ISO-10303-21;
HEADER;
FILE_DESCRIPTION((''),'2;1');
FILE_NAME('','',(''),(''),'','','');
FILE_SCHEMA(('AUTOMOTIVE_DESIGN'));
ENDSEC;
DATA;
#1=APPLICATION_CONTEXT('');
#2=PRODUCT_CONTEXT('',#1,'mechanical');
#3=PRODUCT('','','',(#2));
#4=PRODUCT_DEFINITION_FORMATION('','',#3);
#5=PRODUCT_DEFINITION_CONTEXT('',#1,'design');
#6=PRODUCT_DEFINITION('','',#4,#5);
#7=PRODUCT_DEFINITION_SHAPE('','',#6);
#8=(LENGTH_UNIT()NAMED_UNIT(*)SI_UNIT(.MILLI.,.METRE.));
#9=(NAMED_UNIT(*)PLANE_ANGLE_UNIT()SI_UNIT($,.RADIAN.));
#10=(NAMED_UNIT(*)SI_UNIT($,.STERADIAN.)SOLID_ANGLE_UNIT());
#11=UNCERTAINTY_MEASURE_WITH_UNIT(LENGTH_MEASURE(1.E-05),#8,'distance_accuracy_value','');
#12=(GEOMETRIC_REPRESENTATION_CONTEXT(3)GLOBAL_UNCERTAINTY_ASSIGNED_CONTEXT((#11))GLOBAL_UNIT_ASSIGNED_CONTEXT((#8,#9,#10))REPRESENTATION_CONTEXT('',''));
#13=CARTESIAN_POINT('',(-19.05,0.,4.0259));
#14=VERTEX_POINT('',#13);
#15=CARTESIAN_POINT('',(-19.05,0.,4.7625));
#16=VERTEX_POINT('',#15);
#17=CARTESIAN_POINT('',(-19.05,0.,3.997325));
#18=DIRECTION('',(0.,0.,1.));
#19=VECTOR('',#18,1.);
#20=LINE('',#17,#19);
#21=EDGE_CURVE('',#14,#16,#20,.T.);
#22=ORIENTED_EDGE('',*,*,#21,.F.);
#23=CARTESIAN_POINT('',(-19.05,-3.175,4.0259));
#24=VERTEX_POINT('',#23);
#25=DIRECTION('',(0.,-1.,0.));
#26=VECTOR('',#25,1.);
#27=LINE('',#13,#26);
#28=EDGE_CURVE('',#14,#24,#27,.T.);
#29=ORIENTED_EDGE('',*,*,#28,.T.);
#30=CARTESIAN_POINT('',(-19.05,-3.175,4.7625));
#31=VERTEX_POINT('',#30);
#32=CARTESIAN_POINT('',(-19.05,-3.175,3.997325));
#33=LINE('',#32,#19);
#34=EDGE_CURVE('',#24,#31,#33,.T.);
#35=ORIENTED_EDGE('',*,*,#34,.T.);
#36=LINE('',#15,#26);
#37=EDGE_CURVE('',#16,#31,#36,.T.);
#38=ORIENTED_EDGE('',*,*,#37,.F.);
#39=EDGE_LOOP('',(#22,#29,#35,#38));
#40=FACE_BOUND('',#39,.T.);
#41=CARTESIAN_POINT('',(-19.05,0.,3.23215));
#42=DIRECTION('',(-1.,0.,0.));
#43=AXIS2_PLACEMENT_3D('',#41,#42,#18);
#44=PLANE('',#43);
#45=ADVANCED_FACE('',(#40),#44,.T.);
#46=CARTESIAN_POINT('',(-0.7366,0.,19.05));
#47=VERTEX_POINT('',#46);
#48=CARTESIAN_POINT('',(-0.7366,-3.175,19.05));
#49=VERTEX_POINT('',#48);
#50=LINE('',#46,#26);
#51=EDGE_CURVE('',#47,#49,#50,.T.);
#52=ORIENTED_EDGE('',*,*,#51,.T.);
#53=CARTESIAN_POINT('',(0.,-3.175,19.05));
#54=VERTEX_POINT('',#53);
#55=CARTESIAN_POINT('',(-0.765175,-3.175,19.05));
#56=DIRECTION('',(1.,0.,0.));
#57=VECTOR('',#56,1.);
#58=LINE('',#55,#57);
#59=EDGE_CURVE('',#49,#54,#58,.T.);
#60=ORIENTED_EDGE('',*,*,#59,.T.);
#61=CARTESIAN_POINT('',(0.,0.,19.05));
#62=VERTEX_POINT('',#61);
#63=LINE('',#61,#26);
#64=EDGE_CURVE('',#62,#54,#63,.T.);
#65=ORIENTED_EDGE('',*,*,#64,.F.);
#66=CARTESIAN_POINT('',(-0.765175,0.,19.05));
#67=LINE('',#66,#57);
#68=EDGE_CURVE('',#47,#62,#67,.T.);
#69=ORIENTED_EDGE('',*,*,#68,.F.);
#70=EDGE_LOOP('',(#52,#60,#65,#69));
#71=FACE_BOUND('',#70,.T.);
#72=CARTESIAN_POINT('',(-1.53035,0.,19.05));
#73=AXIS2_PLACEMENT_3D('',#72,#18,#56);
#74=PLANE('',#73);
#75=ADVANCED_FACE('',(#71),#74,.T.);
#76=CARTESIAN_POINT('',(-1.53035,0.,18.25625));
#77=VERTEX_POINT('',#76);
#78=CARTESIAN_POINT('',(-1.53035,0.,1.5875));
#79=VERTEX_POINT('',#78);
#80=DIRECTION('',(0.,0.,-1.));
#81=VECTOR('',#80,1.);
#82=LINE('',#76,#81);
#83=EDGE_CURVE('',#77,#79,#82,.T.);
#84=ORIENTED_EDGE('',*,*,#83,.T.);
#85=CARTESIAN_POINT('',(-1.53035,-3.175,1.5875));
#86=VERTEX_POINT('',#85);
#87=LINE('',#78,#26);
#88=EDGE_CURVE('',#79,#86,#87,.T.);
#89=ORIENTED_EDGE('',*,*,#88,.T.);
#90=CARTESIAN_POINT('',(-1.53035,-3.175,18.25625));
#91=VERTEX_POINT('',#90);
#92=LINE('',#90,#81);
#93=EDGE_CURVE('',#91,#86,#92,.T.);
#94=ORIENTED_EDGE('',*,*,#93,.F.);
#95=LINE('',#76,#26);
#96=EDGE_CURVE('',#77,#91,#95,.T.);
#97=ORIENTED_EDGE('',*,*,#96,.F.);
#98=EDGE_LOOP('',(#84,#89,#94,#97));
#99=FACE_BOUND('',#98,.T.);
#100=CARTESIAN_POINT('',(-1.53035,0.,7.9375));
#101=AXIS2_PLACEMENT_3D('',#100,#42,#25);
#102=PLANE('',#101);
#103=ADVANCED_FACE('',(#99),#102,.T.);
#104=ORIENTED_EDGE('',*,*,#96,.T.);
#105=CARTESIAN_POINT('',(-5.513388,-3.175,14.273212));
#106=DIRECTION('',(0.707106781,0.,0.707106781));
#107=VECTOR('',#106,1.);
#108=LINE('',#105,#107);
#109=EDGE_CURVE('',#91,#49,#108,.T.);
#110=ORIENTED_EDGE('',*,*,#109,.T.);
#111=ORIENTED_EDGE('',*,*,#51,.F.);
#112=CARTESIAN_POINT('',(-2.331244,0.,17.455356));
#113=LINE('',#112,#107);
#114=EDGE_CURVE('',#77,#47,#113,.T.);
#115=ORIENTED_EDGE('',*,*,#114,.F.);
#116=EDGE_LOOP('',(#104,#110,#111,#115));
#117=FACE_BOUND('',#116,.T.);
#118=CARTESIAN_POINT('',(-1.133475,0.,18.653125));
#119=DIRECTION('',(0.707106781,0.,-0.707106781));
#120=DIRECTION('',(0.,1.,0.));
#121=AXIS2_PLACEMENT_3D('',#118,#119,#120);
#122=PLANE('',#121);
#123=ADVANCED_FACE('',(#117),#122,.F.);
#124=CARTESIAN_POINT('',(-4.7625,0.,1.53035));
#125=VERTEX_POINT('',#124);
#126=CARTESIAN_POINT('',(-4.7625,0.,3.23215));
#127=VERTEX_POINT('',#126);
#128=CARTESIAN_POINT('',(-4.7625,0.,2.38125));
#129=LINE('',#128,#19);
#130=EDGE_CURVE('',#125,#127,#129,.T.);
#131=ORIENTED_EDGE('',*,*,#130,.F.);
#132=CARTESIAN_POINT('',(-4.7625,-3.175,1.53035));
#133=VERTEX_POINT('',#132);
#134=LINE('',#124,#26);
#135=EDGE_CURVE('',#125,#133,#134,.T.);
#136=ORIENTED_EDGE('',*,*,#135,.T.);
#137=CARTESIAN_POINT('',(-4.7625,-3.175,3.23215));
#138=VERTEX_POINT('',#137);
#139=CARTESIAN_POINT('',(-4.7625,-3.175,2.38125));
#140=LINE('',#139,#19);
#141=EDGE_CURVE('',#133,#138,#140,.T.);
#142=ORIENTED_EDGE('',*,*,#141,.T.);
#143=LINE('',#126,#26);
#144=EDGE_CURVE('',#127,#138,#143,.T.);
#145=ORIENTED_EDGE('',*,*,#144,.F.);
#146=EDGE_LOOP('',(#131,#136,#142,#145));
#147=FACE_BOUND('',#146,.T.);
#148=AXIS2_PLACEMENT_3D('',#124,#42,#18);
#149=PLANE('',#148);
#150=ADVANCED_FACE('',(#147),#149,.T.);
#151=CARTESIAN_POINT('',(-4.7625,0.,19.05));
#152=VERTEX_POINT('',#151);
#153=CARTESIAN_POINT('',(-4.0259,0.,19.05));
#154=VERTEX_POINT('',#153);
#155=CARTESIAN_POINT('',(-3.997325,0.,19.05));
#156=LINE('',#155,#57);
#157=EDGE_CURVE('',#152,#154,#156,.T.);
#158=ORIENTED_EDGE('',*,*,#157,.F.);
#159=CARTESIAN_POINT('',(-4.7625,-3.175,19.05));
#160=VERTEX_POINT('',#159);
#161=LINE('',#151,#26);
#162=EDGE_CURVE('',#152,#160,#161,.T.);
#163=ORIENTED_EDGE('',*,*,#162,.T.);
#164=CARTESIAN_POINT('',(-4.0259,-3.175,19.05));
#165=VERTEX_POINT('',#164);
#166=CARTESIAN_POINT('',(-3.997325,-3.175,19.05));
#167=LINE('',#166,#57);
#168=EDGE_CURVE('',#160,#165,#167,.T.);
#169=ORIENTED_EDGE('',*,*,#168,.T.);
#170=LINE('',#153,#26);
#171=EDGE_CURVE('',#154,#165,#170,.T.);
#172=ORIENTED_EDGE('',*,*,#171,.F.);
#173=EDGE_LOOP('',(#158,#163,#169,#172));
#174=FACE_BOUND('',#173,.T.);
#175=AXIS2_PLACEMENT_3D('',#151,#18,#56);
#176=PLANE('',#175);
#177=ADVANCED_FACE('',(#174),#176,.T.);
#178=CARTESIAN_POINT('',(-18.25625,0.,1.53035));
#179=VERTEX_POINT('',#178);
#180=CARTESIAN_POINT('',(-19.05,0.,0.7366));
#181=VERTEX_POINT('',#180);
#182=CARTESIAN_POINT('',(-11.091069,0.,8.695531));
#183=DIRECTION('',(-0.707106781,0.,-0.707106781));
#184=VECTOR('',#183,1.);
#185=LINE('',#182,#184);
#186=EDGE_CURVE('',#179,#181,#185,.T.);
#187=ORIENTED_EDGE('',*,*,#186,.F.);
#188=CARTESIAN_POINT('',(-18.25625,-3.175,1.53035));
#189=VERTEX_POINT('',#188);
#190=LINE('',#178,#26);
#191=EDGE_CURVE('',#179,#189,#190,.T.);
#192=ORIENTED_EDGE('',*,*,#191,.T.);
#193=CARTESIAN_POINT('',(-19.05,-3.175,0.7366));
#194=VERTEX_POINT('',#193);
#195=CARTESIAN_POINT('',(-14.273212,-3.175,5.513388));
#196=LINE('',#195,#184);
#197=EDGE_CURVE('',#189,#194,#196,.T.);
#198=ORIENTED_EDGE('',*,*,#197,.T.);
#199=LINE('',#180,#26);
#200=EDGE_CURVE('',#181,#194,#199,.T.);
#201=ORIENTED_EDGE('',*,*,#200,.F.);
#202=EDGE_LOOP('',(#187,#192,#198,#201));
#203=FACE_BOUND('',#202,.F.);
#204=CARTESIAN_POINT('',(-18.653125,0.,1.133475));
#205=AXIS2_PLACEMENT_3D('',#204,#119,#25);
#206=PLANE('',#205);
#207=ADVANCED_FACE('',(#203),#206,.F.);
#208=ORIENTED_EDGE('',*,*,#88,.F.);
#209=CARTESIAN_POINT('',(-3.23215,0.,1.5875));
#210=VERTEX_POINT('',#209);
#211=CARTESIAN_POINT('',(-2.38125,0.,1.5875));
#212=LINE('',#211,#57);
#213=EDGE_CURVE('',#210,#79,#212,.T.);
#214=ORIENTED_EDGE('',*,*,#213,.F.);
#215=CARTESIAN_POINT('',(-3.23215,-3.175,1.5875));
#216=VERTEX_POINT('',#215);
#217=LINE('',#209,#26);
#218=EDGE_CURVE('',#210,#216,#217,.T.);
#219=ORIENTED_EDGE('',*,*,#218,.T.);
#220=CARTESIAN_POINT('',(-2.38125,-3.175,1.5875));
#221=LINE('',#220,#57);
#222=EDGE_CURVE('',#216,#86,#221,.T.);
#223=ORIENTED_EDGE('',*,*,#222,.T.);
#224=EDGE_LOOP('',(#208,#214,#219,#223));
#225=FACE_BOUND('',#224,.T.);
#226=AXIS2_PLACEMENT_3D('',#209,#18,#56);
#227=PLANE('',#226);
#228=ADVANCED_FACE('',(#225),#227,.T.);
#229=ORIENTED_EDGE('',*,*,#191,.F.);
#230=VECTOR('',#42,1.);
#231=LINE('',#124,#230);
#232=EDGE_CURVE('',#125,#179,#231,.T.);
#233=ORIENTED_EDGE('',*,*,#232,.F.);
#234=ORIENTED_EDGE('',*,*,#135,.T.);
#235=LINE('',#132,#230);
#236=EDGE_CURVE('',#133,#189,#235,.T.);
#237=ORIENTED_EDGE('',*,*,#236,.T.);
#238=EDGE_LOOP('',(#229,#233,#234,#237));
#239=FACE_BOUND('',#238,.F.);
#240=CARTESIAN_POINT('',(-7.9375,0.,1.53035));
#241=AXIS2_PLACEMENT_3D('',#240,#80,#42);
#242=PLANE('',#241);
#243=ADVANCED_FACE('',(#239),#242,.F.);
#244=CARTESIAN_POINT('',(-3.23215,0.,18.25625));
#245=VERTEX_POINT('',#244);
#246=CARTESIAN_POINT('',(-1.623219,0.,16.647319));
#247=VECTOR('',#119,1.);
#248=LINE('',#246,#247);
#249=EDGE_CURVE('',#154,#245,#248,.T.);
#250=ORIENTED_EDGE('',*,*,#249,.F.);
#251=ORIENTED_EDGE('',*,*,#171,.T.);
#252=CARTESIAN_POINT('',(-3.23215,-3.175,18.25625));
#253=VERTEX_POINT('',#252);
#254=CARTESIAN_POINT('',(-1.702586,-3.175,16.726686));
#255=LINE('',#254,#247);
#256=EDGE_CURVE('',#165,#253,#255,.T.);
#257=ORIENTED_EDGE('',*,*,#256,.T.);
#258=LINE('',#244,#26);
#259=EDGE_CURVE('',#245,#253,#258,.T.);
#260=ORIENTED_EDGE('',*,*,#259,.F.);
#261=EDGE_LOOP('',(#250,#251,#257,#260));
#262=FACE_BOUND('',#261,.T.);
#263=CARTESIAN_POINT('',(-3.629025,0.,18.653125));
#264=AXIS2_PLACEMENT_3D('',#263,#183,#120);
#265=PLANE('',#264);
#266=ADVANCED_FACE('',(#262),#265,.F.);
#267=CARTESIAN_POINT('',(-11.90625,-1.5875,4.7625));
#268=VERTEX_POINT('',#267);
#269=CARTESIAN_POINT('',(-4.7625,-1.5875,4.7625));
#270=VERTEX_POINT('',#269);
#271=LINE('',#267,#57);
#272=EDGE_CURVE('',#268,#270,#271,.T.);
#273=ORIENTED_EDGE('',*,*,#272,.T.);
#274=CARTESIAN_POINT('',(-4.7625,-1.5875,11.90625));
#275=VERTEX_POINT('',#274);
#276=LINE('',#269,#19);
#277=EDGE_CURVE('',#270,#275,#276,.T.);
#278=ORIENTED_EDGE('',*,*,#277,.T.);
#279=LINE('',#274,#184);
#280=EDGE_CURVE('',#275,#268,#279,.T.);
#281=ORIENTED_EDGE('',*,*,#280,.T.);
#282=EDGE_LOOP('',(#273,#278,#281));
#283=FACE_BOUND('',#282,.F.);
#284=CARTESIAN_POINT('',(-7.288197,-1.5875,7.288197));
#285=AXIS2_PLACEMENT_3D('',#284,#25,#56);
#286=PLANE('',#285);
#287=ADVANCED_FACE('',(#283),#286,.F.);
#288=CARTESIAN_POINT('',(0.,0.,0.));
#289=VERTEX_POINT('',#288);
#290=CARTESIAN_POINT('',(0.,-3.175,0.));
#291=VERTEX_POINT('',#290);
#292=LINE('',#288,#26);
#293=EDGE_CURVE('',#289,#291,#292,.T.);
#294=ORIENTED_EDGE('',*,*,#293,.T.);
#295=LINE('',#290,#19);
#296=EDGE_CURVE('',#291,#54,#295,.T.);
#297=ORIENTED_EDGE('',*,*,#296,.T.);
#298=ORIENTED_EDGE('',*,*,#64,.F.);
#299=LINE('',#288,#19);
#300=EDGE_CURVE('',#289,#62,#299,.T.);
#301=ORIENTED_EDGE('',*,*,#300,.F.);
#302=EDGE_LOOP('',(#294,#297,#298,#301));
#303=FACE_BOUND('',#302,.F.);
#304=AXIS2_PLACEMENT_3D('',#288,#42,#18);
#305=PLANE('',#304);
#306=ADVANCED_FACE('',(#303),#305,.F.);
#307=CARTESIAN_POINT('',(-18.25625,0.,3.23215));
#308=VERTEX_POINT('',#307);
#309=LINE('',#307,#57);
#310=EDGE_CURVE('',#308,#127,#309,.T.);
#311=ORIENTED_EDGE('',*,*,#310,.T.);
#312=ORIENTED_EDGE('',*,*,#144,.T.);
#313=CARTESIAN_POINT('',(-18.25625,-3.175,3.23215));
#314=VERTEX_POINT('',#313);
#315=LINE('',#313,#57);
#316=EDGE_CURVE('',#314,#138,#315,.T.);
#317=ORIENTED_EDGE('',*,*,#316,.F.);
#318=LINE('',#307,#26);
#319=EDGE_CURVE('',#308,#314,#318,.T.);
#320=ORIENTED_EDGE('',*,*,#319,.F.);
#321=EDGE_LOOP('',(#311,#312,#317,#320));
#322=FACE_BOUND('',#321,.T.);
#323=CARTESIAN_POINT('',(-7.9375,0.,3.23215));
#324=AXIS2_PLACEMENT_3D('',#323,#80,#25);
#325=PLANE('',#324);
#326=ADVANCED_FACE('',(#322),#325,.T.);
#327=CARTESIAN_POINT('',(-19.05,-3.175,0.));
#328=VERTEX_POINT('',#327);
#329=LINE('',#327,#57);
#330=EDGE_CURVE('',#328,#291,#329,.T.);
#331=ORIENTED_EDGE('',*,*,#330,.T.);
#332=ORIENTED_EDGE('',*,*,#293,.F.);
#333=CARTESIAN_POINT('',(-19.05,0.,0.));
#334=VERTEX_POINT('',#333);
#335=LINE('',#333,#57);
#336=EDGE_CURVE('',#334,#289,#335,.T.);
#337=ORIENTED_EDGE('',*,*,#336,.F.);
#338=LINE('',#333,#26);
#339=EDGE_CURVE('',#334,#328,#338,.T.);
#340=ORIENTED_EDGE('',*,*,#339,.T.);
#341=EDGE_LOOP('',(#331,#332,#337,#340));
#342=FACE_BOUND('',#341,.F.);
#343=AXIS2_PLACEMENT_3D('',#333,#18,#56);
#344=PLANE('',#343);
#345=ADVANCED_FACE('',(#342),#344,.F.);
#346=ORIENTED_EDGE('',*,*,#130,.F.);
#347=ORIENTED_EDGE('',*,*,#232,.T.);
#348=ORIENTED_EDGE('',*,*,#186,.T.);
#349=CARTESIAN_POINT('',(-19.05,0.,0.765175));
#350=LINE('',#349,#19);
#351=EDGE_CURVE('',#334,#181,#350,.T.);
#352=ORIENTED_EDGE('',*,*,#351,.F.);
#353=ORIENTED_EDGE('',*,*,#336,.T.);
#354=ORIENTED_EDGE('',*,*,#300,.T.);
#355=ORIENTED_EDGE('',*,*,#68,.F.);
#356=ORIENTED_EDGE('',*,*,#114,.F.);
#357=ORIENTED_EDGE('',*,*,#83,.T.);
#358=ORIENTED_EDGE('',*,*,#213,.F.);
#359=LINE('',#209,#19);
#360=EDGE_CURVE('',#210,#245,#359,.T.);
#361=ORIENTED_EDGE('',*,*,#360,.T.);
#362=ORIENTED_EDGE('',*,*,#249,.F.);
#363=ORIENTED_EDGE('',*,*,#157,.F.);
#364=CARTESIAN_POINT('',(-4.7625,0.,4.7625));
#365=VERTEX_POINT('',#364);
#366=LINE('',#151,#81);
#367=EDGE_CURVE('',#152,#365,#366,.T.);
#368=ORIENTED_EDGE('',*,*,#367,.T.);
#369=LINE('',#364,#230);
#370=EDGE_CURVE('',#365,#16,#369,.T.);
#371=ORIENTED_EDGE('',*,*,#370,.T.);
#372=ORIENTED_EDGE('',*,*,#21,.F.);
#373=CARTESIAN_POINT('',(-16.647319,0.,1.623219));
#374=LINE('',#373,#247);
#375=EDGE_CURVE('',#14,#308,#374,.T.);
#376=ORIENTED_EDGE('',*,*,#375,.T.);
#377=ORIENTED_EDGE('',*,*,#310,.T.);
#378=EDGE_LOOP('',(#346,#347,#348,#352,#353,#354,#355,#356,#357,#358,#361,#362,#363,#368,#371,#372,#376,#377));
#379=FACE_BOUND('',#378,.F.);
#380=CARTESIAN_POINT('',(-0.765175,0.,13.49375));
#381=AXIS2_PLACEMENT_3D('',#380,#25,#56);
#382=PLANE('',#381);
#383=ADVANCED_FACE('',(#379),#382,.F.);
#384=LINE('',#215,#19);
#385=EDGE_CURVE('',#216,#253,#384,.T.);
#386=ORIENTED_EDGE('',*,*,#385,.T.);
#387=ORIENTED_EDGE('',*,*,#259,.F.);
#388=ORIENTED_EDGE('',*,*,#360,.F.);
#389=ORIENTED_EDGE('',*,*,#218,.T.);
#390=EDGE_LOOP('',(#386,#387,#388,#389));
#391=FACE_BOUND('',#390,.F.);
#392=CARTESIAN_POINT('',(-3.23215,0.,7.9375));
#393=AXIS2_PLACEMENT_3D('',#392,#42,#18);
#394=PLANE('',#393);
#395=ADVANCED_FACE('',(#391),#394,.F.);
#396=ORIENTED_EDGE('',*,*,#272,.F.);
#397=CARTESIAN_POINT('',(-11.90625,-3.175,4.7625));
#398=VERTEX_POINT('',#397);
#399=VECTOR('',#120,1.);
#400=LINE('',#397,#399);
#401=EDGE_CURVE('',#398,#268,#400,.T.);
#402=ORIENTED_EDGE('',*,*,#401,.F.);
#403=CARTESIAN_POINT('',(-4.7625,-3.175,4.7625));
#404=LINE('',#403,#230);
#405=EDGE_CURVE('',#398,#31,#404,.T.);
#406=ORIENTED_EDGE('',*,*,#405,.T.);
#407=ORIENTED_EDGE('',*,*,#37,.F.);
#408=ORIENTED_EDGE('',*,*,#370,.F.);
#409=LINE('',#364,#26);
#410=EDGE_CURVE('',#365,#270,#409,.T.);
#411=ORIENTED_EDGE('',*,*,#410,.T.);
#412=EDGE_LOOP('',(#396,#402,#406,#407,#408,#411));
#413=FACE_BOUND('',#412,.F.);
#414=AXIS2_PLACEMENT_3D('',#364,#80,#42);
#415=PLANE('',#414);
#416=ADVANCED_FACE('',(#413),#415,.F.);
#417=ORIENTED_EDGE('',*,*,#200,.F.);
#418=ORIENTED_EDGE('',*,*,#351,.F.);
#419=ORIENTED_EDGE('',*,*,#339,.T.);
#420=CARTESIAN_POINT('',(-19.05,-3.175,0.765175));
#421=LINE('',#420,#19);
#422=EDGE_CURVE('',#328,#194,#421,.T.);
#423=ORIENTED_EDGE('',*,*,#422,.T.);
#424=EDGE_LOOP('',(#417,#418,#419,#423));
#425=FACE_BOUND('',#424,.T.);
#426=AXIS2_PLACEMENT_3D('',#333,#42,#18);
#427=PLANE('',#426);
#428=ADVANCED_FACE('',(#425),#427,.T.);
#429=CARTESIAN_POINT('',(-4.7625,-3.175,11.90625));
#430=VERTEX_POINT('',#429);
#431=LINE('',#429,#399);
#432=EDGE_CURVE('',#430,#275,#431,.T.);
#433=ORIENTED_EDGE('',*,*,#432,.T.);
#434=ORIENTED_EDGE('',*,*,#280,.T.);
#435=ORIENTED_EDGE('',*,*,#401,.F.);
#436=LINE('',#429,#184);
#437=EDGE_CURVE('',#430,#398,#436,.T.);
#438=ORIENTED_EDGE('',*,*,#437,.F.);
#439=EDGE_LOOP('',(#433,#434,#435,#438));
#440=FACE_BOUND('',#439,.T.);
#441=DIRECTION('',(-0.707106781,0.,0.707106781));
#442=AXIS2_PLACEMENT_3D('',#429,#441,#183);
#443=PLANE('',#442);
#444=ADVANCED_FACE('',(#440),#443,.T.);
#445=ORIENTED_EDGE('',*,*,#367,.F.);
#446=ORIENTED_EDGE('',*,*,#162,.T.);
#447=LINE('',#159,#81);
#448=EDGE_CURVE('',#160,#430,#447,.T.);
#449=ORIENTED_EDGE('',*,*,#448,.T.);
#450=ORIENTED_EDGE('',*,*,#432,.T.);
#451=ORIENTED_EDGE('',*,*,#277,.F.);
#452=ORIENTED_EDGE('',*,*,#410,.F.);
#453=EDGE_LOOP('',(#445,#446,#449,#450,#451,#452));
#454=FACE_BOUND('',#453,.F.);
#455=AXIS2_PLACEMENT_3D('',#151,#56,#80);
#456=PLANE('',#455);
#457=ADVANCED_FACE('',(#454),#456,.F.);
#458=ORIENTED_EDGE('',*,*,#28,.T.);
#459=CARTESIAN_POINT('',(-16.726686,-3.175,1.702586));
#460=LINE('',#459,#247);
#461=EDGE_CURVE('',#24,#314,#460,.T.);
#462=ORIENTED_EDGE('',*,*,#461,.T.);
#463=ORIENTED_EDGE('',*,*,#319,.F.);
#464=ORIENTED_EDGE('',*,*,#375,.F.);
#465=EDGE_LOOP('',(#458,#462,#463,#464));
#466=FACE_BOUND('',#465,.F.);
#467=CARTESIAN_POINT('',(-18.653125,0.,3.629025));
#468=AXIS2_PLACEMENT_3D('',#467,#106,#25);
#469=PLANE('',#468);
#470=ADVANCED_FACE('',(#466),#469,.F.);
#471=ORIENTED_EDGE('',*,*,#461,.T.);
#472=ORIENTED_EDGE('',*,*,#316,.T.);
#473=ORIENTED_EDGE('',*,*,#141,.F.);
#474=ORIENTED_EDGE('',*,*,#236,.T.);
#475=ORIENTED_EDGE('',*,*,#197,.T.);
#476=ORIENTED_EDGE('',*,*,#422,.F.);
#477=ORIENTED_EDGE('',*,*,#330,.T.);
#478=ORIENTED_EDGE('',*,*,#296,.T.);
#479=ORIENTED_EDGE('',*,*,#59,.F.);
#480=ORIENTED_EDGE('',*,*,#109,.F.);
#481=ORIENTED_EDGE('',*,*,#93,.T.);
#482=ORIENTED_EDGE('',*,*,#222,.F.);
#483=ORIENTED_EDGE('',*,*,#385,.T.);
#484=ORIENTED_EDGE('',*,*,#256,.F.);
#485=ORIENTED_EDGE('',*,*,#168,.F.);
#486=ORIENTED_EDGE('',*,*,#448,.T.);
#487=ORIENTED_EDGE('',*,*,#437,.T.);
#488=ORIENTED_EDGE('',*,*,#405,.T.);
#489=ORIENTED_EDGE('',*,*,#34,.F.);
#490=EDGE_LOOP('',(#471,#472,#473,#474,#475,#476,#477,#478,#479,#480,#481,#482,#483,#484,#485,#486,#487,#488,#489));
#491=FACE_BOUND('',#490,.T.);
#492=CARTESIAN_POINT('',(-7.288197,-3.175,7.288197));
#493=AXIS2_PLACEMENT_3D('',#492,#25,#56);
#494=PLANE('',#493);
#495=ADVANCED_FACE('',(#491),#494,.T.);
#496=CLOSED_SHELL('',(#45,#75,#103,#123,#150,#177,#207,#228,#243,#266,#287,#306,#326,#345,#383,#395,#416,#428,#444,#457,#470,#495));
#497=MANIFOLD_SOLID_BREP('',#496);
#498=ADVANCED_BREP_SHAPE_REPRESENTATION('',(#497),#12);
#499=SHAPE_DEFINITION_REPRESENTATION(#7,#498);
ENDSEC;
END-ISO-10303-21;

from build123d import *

# Parameters (mm, degrees)
F0_W     = 1.53035
F0_H     = 11.1125
F0_H_2   = 3.175
F0_W_2   = 1.7018
F0_H_3   = 1.53035
F0_W_3   = 11.1125
F0_W_4   = 3.175
F0_H_4   = 1.7018
F1_DEPTH = 3.175
F3_DEPTH = 1.5875
F4_SIZE  = 0.79375
F5_DEPTH = 6.35
F6_DEPTH = 3.175


with BuildPart() as f1:
    # F0 (on Front) → F1 (new body)
    with BuildSketch(Plane.XZ):
        with Locations((-0.765175, 13.49375)):
            Rectangle(F0_W, F0_H)
        with Locations((-3.997325, 13.49375)):
            Rectangle(F0_W, F0_H)
        with Locations((-0.765175, 6.35)):
            Rectangle(F0_W, F0_H_2)
        with Locations((-2.38125, 6.35)):
            Rectangle(F0_W_2, F0_H_2)
        with Locations((-3.997325, 6.35)):
            Rectangle(F0_W, F0_H_2)
        Polygon((-4.7625, 0), (0, 0), (0, 4.7625), (-1.53035, 4.7625), (-1.53035, 1.53035), (-4.7625, 1.53035), align=None)
        Polygon((-4.7625, 3.23215), (-4.7625, 1.53035), (-1.53035, 1.53035), (-1.53035, 4.7625), (-3.23215, 4.7625), (-3.23215, 3.23215), align=None)
        with Locations((-3.997325, 3.997325)):
            Rectangle(F0_W, F0_H_3)
        with Locations((-13.49375, 3.997325)):
            Rectangle(F0_W_3, F0_H_3)
        with Locations((-13.49375, 0.765175)):
            Rectangle(F0_W_3, F0_H_3)
        with Locations((-6.35, 0.765175)):
            Rectangle(F0_W_4, F0_H_3)
        with Locations((-6.35, 2.38125)):
            Rectangle(F0_W_4, F0_H_4)
        with Locations((-6.35, 3.997325)):
            Rectangle(F0_W_4, F0_H_3)
    extrude(amount=F1_DEPTH)

    # F2 (on face) → F3 (join)
    with BuildSketch(Plane.XZ.offset(3.175)):
        Polygon((-4.7625, 11.90625), (-11.90625, 4.7625), (-4.7625, 4.7625), align=None)
    extrude(amount=-F3_DEPTH)

    # F4
    f4_edges = [f1.edges().sort_by_distance(p)[0] for p in [
        (-19.05, -1.5875, 3.23215),
        (-19.05, -1.5875, 1.53035),
        (-1.53035, -1.5875, 19.05),
        (-3.23215, -1.5875, 19.05),
    ]]
    chamfer(f4_edges, length=F4_SIZE)

    # F5 (cut): a face of the model
    f5_faces = [f1.faces().sort_by_distance(p)[0] for p in [
        (-2.38125, -1.5875, 7.9375),
    ]]
    extrude(f5_faces, amount=-F5_DEPTH, mode=Mode.SUBTRACT)

    # F6 (cut): a face of the model
    f6_faces = [f1.faces().sort_by_distance(p)[0] for p in [
        (-7.9375, -1.5875, 2.38125),
    ]]
    extrude(f6_faces, amount=-F6_DEPTH, mode=Mode.SUBTRACT)


solid = f1.part
